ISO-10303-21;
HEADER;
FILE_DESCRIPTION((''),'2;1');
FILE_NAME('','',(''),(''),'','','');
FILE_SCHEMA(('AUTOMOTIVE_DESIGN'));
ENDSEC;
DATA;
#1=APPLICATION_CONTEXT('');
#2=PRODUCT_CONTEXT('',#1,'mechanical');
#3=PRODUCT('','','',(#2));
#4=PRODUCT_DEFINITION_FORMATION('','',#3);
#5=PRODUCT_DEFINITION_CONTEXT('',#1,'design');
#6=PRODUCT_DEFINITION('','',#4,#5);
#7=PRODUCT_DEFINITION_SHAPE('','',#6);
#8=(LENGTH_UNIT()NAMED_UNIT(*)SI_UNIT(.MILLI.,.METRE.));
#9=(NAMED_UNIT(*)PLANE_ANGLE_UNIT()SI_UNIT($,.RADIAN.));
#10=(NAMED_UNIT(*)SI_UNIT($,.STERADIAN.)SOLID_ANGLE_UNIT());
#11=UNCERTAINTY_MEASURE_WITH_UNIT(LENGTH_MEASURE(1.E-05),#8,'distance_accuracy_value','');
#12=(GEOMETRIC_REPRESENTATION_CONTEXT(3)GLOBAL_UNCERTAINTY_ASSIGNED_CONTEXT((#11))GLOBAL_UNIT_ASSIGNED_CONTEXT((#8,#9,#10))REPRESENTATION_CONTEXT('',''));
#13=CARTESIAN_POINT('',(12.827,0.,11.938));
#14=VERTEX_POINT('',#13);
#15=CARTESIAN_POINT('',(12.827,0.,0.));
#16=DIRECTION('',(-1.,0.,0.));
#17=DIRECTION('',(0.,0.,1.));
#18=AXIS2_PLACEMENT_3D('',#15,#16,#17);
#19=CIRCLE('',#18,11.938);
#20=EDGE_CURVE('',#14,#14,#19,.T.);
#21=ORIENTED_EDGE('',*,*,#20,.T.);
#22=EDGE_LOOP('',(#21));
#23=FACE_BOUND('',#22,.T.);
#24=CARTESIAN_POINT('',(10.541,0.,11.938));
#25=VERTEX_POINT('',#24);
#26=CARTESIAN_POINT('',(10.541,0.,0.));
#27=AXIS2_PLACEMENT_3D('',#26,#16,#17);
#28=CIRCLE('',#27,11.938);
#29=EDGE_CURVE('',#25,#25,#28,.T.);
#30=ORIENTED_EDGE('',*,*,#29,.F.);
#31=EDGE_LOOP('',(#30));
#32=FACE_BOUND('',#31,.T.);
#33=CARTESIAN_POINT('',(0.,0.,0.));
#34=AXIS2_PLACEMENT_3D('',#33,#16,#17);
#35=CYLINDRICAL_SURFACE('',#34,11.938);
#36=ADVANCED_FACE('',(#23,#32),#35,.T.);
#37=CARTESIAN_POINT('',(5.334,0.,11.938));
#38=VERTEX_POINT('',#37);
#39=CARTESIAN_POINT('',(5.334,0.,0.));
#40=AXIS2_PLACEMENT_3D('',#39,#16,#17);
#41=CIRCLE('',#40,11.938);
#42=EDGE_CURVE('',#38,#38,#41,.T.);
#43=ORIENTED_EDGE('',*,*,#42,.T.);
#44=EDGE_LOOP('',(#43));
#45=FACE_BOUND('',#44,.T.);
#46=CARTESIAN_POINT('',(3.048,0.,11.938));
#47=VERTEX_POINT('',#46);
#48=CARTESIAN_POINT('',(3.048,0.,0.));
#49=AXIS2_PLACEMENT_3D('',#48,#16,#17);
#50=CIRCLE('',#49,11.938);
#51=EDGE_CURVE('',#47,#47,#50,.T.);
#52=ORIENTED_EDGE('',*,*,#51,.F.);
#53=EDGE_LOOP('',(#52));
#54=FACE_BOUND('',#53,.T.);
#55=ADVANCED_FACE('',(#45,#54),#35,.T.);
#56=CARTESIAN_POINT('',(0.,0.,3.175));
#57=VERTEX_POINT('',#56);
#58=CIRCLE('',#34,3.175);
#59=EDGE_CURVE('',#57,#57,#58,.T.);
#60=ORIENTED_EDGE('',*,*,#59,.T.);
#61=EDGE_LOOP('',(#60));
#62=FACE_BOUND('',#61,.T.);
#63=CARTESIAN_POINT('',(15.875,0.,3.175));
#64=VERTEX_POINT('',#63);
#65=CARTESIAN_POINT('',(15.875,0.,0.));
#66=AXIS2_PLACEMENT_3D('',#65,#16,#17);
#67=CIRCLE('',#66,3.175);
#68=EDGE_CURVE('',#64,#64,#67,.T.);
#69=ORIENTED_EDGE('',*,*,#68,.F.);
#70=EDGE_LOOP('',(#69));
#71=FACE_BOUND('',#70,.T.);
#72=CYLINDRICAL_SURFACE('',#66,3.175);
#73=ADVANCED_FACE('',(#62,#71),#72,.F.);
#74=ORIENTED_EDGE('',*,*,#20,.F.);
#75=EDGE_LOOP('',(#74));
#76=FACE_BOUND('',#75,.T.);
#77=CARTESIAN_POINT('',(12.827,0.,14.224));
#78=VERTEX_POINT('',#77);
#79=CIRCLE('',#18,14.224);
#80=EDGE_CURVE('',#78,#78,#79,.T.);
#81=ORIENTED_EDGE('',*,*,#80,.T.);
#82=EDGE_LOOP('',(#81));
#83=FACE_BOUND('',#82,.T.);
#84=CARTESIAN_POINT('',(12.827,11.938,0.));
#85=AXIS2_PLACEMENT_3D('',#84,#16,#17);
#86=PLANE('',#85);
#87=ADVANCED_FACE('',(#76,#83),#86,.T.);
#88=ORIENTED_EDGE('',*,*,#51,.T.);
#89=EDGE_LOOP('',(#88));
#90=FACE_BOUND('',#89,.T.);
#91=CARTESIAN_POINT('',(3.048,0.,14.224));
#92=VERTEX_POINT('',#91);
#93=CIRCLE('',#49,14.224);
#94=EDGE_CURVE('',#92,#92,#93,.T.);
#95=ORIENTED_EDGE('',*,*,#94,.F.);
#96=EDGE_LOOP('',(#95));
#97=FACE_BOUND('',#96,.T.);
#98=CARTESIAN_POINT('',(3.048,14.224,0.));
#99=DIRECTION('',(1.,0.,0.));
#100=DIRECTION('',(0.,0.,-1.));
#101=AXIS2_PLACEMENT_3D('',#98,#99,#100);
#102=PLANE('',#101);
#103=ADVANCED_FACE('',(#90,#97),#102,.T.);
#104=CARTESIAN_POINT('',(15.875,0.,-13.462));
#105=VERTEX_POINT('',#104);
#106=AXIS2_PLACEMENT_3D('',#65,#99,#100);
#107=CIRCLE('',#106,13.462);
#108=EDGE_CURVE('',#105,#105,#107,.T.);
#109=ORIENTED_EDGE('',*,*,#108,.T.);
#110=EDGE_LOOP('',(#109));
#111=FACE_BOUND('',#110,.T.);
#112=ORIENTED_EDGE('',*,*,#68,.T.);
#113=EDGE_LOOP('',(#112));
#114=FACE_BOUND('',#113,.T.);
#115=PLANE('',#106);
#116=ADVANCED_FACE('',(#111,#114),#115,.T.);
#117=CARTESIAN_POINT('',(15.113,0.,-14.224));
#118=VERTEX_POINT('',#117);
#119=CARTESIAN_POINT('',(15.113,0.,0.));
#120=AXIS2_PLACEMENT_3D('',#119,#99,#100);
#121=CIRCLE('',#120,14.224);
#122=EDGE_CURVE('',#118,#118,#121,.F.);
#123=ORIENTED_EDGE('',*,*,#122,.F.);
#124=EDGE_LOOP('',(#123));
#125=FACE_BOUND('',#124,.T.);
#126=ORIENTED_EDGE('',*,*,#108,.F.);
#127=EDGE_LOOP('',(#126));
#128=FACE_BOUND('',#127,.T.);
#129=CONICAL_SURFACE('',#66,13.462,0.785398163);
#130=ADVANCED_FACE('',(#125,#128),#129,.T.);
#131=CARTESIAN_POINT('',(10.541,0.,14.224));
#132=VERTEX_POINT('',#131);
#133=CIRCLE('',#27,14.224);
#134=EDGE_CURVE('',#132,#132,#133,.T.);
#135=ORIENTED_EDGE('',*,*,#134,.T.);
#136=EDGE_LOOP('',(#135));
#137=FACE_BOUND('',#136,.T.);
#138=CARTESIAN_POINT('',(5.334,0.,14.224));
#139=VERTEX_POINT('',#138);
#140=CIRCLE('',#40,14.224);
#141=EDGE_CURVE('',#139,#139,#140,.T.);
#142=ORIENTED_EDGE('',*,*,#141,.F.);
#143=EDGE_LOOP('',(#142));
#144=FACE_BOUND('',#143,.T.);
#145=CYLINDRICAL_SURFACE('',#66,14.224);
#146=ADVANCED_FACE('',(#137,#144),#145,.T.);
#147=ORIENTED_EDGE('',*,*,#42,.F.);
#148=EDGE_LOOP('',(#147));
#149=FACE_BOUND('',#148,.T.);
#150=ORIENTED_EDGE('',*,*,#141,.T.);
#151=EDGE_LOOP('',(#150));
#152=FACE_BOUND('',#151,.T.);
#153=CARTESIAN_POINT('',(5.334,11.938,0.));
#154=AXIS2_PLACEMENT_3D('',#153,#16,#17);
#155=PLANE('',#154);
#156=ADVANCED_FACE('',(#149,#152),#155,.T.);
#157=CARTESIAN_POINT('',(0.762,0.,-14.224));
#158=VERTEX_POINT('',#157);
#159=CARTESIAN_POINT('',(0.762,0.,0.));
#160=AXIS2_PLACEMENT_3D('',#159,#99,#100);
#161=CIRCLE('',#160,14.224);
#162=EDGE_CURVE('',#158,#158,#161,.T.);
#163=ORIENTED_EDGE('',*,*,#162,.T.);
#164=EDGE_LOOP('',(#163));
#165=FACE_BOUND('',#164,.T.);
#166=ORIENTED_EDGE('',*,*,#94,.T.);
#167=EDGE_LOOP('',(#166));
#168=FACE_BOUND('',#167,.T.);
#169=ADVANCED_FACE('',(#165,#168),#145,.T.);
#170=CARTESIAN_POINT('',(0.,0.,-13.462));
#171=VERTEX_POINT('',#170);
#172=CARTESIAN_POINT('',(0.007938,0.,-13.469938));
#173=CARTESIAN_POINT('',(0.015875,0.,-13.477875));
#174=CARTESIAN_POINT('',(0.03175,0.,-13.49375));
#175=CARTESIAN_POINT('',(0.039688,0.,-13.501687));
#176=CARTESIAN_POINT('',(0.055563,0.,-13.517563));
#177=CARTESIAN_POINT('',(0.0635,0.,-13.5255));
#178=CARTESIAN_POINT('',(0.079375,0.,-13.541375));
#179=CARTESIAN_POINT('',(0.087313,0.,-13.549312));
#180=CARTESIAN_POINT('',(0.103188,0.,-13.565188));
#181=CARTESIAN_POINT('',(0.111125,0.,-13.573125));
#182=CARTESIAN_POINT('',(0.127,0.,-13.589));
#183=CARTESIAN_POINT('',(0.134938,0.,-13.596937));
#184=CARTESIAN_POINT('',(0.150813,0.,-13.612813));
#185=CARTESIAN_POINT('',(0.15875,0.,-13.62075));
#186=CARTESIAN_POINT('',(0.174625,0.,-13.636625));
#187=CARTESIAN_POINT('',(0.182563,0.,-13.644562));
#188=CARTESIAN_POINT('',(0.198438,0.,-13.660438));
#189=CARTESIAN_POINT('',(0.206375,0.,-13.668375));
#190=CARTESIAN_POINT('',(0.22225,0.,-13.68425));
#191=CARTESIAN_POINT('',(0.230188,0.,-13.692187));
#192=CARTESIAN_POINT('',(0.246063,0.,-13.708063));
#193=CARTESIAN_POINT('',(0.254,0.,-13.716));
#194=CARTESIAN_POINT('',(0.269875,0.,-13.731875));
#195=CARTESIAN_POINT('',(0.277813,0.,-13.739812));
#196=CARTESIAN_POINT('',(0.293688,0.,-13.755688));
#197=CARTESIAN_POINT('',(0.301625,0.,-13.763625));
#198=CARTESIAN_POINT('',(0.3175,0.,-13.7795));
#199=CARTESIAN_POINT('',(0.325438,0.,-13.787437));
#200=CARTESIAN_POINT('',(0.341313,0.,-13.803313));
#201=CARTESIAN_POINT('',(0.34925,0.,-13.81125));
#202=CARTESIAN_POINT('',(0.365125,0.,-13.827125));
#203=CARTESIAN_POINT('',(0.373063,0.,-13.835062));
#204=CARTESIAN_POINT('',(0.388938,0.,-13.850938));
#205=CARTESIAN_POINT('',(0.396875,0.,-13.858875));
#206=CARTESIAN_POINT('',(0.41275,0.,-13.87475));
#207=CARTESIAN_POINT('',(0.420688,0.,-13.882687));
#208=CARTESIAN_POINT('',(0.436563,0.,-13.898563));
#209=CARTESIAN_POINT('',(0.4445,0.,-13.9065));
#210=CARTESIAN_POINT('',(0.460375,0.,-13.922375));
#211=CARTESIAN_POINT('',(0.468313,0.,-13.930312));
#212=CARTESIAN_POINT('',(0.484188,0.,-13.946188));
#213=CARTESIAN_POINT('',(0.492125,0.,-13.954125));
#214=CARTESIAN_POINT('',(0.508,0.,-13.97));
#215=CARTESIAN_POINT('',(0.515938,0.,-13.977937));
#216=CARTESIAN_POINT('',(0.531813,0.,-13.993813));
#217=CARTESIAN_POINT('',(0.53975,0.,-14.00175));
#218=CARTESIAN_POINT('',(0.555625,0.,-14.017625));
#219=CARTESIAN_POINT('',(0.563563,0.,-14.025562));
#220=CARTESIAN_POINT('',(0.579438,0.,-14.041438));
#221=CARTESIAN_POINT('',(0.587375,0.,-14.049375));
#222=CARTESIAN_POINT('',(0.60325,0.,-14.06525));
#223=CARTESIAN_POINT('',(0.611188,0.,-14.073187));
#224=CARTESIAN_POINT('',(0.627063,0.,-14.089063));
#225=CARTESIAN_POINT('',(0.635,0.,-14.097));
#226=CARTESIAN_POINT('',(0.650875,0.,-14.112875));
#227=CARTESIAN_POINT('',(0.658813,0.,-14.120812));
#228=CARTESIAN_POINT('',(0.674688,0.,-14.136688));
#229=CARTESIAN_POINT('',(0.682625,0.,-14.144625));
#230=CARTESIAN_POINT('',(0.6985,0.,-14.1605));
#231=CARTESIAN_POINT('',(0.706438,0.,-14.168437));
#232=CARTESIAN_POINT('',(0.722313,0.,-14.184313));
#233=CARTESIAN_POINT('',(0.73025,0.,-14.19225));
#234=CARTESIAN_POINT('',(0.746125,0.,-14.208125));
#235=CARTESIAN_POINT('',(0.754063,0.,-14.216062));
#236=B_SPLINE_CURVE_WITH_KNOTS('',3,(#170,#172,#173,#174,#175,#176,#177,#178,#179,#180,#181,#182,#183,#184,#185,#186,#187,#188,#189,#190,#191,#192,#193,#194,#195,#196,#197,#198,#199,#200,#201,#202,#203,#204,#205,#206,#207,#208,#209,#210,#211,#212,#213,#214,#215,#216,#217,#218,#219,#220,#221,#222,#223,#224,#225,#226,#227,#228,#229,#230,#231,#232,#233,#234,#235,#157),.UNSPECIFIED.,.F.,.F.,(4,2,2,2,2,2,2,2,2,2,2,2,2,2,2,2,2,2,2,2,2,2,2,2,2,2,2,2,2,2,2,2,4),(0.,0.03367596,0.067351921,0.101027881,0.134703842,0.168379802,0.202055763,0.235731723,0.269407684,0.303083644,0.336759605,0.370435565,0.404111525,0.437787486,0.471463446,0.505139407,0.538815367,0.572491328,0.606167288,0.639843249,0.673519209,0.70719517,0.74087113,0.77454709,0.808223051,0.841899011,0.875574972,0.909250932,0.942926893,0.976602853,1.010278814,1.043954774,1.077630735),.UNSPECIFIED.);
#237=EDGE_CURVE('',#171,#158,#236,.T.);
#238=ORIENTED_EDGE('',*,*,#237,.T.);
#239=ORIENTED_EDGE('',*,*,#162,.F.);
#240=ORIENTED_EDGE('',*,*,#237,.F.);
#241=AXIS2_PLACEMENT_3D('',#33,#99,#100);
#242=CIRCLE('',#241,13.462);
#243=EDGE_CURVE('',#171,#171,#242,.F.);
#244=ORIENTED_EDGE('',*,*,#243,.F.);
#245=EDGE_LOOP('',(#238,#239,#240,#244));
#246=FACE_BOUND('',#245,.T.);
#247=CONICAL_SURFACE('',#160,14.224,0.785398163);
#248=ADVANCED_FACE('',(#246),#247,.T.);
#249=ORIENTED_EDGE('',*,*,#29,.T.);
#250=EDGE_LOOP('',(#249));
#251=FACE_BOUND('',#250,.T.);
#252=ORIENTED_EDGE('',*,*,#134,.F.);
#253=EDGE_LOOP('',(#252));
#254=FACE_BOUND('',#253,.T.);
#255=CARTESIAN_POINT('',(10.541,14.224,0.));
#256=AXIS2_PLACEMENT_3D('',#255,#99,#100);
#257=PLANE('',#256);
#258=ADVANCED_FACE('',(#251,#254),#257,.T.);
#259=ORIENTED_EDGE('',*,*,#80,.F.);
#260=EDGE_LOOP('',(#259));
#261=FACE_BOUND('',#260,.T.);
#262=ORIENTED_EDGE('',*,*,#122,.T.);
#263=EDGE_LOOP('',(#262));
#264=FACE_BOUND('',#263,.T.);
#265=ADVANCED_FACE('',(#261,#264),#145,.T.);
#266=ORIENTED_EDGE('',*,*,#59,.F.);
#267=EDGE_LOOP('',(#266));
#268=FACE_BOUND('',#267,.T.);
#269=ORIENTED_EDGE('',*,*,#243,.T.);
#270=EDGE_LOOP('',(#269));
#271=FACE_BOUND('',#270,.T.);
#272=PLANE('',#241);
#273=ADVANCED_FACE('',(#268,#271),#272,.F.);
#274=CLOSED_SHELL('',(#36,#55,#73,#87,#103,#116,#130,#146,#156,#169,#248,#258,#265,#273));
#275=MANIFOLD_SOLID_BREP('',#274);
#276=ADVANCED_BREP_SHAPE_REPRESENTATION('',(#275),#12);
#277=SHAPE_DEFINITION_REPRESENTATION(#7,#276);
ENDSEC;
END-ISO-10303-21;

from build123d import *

# Parameters (mm, degrees)
SKETCH3_R          = 14.224
BASE_EXTRUDE_DEPTH = 15.875
SKETCH4_W          = 2.286
SKETCH4_H          = 2.286
SKETCH5_R          = 3.175
CUT_EXTRUDE1_DEPTH = 26.625377597
CHAMFER1_SIZE      = 0.762


with BuildPart() as part:
    # Sketch3 → Base-Extrude (new body)
    with BuildSketch(Plane(origin=(0, 0, 0), x_dir=(0, 0, -1), z_dir=(1, 0, 0))):
        Circle(SKETCH3_R)
    extrude(amount=BASE_EXTRUDE_DEPTH)

    # Sketch4 → Cut-Revolve1 (revolve, cut)
    with BuildSketch(Plane.XY, mode=Mode.PRIVATE) as cut_revolve1_sk:
        with Locations((4.191, 13.081)):
            Rectangle(SKETCH4_W, SKETCH4_H)
        with Locations((11.684, 13.081)):
            Rectangle(SKETCH4_W, SKETCH4_H)
    revolve(cut_revolve1_sk.sketch.rotate(Axis((0, 0, 0), (1, 0, 0)), 90), axis=Axis((0, 0, 0), (1, 0, 0)), mode=Mode.SUBTRACT)

    # Sketch5 → Cut-Extrude1 (cut, through all)
    with BuildSketch(Plane.ZY):
        Circle(SKETCH5_R)
    extrude(amount=-CUT_EXTRUDE1_DEPTH, mode=Mode.SUBTRACT)

    # Chamfer1
    chamfer1_edges = [part.edges().sort_by_distance(p)[0] for p in [
        (0, 0, 14.224),
        (15.875, 0, 14.224),
    ]]
    chamfer(chamfer1_edges, length=CHAMFER1_SIZE)


solid = part.part
